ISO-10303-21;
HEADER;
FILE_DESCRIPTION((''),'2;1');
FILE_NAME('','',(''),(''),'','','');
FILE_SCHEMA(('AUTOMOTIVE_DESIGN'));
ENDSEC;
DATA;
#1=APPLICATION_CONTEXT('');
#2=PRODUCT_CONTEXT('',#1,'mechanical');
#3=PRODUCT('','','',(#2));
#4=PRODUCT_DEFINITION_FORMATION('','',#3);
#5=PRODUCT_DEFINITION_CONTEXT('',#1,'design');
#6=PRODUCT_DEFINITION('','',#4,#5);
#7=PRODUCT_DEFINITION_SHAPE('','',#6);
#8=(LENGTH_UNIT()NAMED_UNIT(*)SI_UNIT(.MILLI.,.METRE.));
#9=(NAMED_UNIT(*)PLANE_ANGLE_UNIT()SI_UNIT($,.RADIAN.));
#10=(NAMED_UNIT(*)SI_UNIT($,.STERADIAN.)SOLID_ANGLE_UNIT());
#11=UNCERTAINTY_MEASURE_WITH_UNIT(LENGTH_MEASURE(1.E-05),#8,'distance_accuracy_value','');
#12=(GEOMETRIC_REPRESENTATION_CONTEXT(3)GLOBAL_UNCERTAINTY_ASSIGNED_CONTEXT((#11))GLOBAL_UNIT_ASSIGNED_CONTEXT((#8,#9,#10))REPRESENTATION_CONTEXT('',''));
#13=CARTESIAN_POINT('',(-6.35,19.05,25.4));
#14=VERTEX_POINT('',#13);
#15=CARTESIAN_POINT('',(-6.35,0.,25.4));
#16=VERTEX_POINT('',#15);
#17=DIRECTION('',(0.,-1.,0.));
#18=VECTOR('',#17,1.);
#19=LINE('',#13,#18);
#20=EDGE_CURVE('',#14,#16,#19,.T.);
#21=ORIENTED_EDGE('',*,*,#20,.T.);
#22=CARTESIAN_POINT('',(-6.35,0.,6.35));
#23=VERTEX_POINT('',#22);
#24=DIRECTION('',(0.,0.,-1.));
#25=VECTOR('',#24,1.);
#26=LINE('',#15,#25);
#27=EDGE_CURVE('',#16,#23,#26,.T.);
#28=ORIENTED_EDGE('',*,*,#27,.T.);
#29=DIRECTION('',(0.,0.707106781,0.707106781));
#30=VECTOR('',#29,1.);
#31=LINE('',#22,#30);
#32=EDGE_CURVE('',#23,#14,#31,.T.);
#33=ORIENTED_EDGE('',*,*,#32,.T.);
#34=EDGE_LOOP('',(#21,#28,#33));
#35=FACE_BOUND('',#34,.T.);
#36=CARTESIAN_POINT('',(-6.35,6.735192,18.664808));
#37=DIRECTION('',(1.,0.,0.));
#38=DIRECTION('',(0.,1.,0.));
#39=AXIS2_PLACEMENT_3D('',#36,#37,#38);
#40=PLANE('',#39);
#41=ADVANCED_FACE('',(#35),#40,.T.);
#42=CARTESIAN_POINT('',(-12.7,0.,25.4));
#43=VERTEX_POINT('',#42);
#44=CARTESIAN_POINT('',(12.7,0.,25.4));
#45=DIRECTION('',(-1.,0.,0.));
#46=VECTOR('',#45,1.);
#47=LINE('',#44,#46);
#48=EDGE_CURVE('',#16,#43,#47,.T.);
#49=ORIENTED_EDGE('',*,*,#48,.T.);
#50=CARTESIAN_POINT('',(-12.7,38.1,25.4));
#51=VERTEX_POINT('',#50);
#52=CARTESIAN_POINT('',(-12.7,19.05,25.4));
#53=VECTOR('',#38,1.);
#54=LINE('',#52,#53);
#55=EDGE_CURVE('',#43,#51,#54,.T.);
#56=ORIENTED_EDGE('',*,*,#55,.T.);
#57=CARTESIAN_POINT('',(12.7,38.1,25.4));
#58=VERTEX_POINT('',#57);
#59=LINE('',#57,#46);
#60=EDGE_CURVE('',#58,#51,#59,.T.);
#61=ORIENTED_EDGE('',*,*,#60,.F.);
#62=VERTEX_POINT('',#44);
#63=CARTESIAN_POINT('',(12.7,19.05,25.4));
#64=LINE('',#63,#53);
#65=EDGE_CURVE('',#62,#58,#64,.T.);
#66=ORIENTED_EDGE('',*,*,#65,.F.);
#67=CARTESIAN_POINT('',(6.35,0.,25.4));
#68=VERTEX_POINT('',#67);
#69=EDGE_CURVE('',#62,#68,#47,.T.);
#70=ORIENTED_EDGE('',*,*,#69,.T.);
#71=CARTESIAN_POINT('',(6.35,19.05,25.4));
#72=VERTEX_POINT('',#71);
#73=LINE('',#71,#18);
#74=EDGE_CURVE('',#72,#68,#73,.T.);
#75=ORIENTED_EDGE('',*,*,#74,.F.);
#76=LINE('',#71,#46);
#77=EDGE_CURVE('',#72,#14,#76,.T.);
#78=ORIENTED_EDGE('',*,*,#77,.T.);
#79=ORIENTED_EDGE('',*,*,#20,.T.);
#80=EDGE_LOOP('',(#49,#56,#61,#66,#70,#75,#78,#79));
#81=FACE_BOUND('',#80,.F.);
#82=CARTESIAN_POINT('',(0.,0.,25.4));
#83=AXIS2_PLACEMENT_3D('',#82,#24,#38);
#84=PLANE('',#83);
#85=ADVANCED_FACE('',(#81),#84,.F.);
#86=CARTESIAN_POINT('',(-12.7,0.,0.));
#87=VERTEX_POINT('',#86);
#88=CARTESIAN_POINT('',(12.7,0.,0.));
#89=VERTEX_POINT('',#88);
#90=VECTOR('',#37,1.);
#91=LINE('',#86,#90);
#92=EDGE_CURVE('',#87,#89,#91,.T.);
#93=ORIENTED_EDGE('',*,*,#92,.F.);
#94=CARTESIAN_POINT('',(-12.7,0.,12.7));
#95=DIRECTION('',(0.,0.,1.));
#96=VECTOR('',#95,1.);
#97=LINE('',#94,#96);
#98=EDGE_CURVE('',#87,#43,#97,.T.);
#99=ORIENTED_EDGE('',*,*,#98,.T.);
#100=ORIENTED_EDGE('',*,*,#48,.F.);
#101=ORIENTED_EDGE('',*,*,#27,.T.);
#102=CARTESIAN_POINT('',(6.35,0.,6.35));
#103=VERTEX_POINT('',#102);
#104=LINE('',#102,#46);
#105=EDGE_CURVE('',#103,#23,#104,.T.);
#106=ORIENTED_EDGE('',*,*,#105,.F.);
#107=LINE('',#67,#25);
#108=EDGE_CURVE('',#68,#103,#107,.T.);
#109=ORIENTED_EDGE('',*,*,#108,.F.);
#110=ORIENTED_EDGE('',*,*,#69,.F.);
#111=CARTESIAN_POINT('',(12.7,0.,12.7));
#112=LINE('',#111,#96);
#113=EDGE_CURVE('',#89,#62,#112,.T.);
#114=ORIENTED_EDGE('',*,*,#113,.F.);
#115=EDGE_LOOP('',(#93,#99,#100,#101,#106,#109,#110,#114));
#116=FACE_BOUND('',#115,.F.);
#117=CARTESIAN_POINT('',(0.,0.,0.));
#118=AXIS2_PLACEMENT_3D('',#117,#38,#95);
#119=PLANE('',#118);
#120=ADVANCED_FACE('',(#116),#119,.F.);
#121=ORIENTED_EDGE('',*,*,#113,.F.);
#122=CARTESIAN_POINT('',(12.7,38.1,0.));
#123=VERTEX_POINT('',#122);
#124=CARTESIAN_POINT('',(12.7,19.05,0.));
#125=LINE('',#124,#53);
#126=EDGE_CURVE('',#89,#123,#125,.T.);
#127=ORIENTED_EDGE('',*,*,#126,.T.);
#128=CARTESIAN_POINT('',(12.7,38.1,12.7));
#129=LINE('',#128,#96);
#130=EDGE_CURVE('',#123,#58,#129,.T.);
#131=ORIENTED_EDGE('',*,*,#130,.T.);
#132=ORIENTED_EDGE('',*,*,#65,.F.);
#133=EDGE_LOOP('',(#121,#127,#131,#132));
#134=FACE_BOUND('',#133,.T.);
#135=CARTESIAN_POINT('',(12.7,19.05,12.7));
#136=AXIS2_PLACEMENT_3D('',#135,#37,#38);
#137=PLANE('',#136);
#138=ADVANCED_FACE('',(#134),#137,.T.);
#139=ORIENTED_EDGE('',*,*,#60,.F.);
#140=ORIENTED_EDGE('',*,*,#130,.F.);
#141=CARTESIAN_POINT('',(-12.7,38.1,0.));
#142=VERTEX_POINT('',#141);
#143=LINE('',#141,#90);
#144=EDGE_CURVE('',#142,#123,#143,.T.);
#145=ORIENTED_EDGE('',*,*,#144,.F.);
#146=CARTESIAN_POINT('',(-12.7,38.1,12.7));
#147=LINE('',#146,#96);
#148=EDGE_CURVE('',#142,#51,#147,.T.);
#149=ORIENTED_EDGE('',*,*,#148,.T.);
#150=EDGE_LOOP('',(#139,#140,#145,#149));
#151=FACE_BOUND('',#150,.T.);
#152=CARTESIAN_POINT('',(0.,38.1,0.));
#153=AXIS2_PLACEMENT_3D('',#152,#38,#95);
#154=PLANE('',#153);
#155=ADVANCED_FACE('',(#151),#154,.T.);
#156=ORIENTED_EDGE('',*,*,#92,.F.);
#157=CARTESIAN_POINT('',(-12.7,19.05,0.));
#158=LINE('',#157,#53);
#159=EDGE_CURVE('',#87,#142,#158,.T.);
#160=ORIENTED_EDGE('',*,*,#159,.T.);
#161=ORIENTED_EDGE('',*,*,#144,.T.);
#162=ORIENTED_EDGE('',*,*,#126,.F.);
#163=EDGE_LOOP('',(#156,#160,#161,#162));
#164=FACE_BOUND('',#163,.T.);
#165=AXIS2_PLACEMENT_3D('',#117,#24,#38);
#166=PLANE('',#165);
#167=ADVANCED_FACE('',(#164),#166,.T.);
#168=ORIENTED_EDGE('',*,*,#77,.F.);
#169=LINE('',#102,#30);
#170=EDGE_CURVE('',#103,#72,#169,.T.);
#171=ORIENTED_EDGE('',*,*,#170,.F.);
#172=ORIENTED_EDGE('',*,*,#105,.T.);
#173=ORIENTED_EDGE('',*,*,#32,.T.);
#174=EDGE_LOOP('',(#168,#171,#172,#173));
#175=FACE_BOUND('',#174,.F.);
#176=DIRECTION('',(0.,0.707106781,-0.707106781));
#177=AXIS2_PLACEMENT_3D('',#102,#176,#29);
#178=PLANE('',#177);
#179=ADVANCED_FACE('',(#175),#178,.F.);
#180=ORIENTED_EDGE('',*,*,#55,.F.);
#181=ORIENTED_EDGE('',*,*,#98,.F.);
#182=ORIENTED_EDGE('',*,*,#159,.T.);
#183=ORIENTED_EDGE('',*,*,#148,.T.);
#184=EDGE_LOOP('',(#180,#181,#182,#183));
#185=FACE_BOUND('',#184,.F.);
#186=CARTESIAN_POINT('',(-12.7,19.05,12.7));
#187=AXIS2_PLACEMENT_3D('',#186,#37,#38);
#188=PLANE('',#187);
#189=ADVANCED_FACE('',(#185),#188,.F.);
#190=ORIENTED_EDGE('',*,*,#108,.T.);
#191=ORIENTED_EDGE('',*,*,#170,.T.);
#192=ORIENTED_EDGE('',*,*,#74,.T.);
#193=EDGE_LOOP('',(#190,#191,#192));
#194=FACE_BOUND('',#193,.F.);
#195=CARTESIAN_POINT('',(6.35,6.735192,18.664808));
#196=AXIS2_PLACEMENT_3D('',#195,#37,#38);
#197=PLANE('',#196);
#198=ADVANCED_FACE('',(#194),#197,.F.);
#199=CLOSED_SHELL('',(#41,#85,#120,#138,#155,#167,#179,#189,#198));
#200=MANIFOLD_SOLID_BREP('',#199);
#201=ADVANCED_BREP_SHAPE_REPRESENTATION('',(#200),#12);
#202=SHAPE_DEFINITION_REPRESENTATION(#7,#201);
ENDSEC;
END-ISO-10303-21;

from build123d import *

# Parameters (mm, degrees)
F0_W     = 38.1
F0_H     = 25.4
F1_DEPTH = 12.7
F3_START = -6.35
F3_DEPTH = 12.7


with BuildPart() as f1:
    # F0 (on Right) → F1 (new body, symmetric)
    with BuildSketch(Plane.YZ):
        with Locations((19.05, 12.7)):
            Rectangle(F0_W, F0_H)
    extrude(amount=F1_DEPTH, both=True)

    # F2 (on face) → F3 (cut)
    with BuildSketch(Plane.YZ.offset(12.7).offset(F3_START)):
        Polygon((0, 25.4), (0, 6.35), (19.05, 25.4), align=None)
    extrude(amount=-F3_DEPTH, mode=Mode.SUBTRACT)


solid = f1.part
